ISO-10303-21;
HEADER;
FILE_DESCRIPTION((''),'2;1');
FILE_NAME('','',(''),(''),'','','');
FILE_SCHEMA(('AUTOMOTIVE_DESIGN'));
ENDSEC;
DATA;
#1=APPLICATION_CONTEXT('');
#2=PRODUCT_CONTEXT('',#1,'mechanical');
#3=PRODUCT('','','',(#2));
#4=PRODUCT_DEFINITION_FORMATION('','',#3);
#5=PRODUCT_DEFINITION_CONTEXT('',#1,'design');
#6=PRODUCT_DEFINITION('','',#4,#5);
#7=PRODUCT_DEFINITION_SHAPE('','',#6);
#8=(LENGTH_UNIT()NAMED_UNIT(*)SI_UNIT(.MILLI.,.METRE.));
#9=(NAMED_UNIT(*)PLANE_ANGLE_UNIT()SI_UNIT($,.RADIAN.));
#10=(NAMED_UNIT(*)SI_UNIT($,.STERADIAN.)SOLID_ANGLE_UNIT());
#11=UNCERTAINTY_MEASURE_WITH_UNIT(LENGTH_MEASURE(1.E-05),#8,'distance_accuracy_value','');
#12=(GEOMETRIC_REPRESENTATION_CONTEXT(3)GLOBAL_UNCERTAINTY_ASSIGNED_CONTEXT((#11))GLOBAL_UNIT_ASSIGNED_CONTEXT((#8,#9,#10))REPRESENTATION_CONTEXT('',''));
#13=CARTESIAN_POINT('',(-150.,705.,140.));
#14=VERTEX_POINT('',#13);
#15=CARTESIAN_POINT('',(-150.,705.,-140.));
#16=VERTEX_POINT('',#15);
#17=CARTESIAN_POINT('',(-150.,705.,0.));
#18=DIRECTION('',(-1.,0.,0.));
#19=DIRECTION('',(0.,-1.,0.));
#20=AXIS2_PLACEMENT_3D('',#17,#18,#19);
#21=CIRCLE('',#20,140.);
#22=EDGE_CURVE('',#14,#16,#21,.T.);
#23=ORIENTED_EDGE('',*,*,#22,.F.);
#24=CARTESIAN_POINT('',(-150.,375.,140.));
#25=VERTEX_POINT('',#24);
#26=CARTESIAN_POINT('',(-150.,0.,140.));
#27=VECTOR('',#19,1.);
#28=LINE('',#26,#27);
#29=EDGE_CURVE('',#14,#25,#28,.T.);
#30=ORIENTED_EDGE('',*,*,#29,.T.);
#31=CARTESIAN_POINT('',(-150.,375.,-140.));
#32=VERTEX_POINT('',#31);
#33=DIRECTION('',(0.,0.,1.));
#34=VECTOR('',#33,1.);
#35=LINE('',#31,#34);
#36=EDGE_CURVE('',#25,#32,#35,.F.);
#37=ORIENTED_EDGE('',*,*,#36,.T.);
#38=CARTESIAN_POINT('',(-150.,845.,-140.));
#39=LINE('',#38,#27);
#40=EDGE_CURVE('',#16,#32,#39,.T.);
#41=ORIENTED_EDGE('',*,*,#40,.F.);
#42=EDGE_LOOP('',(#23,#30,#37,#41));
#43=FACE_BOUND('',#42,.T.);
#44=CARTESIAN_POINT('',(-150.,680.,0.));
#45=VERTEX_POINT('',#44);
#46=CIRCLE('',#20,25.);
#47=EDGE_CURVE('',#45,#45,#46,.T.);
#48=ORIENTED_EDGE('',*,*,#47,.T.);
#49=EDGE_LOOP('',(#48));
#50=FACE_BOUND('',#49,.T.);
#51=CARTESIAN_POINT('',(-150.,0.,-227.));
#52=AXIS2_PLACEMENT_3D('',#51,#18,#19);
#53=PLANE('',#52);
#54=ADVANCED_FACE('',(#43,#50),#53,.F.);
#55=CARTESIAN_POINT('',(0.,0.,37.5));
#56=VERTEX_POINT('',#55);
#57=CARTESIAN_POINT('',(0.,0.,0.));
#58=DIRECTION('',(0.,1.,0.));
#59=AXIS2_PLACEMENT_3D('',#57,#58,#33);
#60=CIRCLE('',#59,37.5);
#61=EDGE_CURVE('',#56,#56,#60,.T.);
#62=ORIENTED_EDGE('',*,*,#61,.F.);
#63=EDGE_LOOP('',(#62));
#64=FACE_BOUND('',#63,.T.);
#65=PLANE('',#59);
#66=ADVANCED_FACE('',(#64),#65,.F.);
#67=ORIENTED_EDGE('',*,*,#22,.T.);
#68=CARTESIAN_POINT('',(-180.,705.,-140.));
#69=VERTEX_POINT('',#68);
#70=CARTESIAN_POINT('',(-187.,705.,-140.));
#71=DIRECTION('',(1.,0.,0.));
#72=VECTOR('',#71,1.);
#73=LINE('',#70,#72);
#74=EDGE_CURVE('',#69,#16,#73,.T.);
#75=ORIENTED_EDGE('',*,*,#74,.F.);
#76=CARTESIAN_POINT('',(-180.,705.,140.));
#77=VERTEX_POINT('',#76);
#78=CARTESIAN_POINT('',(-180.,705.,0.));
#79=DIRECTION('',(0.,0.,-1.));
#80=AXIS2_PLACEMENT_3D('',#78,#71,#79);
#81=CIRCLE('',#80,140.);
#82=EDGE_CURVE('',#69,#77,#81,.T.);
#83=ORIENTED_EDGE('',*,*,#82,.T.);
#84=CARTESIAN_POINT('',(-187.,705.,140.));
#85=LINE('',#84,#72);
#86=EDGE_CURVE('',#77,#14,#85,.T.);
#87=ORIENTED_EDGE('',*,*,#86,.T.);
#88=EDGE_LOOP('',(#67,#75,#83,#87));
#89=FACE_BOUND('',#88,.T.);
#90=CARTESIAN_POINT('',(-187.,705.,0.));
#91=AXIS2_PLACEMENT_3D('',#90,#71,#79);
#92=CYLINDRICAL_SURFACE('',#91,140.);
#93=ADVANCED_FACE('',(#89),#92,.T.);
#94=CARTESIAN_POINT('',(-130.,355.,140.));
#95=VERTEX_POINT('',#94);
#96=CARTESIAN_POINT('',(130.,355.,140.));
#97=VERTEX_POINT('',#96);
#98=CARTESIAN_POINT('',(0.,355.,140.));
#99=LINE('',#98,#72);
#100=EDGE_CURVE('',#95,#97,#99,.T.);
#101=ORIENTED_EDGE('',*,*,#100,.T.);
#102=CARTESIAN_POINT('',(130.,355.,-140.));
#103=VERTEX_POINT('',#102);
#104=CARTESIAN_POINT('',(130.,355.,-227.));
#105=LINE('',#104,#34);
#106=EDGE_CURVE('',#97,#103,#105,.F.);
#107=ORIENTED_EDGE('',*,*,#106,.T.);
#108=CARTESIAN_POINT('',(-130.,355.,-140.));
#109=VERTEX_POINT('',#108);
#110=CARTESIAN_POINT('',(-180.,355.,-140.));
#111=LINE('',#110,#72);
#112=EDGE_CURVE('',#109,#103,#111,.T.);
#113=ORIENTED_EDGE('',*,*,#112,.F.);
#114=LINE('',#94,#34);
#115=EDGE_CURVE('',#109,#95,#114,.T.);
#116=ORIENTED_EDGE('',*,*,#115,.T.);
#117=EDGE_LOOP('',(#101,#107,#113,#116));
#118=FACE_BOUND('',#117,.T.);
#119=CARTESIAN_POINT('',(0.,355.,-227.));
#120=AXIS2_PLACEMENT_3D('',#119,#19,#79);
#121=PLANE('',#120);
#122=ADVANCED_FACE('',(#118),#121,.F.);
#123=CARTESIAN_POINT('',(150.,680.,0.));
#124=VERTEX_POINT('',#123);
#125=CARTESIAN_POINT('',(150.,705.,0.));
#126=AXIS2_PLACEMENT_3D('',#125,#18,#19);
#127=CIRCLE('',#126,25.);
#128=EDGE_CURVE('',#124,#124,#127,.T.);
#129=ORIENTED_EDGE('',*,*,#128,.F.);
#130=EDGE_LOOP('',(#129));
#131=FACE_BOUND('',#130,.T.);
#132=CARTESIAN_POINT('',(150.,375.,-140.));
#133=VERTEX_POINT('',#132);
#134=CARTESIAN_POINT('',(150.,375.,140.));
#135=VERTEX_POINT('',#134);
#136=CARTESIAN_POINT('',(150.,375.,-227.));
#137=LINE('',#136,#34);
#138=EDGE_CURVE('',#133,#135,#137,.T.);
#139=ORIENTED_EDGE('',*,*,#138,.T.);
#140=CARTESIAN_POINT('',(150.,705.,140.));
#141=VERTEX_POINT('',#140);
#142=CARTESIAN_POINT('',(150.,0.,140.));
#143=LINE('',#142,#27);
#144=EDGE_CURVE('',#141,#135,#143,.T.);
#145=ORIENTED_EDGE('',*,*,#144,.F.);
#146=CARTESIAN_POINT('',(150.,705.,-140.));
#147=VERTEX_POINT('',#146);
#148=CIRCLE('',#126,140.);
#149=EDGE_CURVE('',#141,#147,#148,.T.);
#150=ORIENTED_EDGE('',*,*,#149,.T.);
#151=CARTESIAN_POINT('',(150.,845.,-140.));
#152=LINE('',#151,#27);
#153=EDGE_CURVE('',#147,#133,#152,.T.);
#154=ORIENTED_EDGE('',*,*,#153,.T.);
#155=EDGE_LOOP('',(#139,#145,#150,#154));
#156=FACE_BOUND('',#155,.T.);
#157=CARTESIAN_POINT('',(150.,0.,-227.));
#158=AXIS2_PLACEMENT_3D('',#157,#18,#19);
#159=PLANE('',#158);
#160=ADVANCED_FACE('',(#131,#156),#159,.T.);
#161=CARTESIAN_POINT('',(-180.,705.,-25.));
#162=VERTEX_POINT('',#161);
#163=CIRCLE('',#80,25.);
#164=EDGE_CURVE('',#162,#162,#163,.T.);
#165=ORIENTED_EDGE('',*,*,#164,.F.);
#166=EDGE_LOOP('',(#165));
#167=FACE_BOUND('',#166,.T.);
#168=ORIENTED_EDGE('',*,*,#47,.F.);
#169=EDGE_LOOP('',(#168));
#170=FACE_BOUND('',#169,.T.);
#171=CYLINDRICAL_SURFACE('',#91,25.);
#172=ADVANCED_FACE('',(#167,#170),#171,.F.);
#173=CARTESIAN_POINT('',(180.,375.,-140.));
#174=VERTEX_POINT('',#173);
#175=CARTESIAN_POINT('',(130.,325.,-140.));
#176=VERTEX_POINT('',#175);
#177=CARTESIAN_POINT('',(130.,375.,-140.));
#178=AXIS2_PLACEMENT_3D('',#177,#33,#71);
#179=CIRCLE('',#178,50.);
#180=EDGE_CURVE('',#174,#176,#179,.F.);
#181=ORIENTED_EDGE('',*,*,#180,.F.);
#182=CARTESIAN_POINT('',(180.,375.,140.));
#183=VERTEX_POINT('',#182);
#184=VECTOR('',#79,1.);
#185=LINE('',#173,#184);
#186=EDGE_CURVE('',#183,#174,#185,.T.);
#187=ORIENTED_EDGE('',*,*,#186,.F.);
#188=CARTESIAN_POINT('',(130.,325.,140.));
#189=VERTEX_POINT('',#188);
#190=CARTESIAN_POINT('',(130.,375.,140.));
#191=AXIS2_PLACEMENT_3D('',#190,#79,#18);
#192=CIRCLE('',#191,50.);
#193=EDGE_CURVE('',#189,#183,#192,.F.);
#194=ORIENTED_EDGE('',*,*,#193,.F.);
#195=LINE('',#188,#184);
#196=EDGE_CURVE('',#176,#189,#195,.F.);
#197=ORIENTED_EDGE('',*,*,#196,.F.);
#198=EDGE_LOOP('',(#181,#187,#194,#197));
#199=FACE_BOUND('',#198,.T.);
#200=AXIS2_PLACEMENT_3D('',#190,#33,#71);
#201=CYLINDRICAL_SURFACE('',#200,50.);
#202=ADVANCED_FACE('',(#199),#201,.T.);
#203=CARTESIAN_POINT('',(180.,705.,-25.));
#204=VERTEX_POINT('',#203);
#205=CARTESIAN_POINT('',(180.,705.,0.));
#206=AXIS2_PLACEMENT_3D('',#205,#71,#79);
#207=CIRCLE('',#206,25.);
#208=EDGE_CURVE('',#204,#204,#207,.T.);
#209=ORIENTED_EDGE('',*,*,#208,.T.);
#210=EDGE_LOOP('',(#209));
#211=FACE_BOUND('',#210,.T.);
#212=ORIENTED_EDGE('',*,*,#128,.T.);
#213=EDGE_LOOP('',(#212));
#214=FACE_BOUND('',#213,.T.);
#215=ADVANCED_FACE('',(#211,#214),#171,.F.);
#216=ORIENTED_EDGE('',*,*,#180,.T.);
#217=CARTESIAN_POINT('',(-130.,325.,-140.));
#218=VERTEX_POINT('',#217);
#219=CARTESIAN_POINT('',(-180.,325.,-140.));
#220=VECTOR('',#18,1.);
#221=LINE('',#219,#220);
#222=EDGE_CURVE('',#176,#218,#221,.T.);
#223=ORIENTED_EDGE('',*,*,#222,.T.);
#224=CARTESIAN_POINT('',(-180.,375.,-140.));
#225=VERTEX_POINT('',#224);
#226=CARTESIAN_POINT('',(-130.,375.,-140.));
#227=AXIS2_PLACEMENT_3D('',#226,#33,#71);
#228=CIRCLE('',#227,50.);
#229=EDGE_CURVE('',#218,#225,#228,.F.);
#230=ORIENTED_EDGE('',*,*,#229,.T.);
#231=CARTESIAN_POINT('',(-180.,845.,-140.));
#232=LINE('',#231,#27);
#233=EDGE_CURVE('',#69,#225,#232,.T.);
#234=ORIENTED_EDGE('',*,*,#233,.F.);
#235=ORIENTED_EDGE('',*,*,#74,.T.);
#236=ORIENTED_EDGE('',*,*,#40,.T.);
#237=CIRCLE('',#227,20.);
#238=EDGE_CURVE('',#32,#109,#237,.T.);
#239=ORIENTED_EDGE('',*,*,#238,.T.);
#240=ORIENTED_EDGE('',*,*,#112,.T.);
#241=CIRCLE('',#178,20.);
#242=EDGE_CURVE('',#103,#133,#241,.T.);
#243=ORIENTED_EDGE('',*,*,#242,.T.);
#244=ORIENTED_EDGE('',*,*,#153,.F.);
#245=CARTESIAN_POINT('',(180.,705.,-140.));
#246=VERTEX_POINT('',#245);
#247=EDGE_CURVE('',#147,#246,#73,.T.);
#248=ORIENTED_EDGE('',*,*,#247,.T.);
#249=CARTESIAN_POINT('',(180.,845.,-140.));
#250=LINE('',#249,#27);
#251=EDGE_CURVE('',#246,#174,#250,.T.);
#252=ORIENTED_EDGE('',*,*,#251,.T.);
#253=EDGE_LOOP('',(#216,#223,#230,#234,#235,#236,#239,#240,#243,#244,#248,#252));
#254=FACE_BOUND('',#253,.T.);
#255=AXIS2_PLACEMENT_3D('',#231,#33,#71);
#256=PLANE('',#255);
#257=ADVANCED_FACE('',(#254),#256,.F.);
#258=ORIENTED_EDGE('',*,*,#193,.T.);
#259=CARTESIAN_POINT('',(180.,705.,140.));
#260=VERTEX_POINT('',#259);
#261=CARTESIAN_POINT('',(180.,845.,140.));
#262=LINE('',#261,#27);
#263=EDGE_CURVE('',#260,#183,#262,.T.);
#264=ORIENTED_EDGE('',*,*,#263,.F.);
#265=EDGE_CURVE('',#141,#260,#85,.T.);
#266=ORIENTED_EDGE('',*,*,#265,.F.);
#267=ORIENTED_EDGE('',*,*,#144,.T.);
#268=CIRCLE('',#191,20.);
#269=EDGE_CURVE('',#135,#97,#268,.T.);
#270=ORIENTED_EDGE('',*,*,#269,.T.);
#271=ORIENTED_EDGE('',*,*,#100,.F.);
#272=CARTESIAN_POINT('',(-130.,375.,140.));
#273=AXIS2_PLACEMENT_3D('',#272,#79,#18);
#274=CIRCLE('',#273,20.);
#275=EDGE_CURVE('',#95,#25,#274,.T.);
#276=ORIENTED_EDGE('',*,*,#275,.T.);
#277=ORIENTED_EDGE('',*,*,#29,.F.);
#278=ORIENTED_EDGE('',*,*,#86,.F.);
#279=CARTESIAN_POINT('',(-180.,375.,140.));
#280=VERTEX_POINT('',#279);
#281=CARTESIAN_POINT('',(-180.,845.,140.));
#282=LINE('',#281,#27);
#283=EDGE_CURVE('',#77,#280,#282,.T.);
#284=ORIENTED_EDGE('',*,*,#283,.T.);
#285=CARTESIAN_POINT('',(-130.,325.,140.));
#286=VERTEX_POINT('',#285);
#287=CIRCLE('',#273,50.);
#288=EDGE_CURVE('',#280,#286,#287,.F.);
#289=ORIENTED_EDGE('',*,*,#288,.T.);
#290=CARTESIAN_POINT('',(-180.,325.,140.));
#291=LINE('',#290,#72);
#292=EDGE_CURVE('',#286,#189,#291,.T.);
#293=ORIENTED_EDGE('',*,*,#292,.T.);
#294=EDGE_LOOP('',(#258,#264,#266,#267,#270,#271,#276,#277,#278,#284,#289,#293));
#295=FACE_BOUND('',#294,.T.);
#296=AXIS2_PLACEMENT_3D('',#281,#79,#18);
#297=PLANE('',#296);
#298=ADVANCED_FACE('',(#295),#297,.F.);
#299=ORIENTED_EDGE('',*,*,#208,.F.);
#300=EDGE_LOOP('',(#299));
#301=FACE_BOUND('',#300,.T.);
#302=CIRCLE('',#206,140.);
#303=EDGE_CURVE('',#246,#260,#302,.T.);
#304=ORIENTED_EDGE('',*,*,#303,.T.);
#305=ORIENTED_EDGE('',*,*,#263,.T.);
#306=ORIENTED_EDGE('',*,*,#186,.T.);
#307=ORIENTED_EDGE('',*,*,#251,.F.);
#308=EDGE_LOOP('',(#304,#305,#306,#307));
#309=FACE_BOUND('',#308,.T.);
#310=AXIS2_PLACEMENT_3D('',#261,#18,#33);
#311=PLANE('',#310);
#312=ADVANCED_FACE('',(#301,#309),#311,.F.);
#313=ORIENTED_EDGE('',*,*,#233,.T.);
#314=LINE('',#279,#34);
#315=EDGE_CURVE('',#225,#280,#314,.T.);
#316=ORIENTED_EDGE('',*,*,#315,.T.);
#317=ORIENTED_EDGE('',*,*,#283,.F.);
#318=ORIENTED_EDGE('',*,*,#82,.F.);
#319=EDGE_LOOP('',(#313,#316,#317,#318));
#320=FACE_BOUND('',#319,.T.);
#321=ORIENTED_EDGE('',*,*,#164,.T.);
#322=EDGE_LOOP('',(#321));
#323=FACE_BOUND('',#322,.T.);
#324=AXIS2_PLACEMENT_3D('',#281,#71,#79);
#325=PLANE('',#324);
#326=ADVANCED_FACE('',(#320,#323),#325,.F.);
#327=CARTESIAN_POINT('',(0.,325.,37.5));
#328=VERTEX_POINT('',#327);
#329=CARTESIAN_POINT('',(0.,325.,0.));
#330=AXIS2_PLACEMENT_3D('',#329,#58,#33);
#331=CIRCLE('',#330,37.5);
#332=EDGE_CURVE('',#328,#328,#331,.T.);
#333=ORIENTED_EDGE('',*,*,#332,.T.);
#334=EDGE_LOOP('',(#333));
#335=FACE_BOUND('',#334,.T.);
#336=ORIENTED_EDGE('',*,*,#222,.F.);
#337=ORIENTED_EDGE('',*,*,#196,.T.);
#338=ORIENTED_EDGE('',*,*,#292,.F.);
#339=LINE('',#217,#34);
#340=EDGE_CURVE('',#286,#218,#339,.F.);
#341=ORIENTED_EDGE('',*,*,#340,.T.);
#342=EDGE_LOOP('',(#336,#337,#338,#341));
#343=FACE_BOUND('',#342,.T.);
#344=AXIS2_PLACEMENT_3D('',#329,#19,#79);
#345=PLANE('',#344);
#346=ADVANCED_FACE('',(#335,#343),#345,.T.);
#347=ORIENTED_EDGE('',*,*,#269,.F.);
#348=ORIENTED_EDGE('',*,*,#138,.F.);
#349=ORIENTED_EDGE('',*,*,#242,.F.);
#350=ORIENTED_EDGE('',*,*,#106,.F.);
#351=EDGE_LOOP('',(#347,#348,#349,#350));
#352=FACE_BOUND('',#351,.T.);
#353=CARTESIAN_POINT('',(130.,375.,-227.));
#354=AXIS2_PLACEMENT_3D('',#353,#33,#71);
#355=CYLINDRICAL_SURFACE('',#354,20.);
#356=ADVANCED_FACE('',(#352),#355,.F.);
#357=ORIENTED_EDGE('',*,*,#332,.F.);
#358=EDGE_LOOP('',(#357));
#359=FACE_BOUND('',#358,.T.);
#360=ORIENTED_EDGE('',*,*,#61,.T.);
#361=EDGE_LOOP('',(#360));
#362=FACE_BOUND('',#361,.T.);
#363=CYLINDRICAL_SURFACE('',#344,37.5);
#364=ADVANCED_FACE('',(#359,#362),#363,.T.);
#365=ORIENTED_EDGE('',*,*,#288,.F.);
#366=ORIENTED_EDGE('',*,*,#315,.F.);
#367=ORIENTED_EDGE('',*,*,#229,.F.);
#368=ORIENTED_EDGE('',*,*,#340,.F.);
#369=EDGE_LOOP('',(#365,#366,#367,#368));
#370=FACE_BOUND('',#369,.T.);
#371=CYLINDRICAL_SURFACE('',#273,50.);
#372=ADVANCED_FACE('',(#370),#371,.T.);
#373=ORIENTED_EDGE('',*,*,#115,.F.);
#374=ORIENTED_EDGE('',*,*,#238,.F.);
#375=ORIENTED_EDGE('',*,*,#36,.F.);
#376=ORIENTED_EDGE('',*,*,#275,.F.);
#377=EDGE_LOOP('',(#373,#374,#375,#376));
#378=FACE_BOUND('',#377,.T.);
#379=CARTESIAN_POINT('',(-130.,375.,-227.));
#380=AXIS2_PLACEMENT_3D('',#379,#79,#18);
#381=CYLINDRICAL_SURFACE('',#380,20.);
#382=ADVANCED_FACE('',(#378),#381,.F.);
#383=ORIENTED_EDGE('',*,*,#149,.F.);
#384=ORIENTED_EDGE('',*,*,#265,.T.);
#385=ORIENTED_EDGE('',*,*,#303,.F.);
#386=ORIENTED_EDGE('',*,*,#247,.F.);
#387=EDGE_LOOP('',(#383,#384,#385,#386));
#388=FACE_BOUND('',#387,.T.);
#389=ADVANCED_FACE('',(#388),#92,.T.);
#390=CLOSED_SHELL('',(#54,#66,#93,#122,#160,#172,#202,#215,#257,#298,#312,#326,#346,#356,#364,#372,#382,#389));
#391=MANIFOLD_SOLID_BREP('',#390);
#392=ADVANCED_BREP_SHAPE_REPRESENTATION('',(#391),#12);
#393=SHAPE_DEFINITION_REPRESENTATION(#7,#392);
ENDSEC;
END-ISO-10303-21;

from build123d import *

# Parameters (mm, degrees)
SKETCH1_R           = 37.5
BOSS_EXTRUDE1_DEPTH = 325
SKETCH2_W           = 360
SKETCH2_H           = 280
BOSS_EXTRUDE2_DEPTH = 520
SKETCH3_W           = 300
SKETCH3_H           = 490
CUT_EXTRUDE1_DEPTH  = 367
FILLET1_R           = 20
FILLET3_R           = 50
SKETCH4_R           = 25
CUT_EXTRUDE2_DEPTH  = 367


with BuildPart() as part:
    # Sketch1 → Boss-Extrude1 (new body)
    with BuildSketch(Plane(origin=(0, 0, 0), x_dir=(1, 0, 0), z_dir=(0, 1, 0))):
        Circle(SKETCH1_R)
    extrude(amount=BOSS_EXTRUDE1_DEPTH)

    # Sketch2 → Boss-Extrude2 (add)
    with BuildSketch(Plane(origin=(0, 325, 0), x_dir=(1, 0, 0), z_dir=(0, 1, 0))):
        Rectangle(SKETCH2_W, SKETCH2_H)
    extrude(amount=BOSS_EXTRUDE2_DEPTH)

    # Sketch3 → Cut-Extrude1 (cut)
    with BuildSketch(Plane.XY.offset(140)):
        with Locations((0, 600)):
            Rectangle(SKETCH3_W, SKETCH3_H)
    extrude(amount=-CUT_EXTRUDE1_DEPTH, mode=Mode.SUBTRACT)

    # Fillet1
    fillet1_edges = [part.edges().sort_by_distance(p)[0] for p in [
        (150, 355, 0),
        (-150, 355, 0),
    ]]
    fillet(fillet1_edges, radius=FILLET1_R)

    # Fillet3
    fillet3_edges = [part.edges().sort_by_distance(p)[0] for p in [
        (180, 325, 0),
        (-180, 325, 0),
    ]]
    fillet(fillet3_edges, radius=FILLET3_R)

    # Sketch4 → Cut-Extrude2 (cut)
    with BuildSketch(Plane(origin=(180, 0, 0), x_dir=(0, 0, -1), z_dir=(1, 0, 0))):
        with BuildLine():
            Line((-140, 845), (-140, 705))
            ThreePointArc((-140, 705), (-98.994949067, 803.994949665), (8.46e-07, 845))
            Line((8.46e-07, 845), (-140, 845))
        make_face()
        with BuildLine():
            ThreePointArc((8.46e-07, 845), (98.994949665, 803.994949067), (140, 705))
            Line((140, 705), (140, 845))
            Line((140, 845), (8.46e-07, 845))
        make_face()
        with Locations((0, 705)):
            Circle(SKETCH4_R)
    extrude(amount=-CUT_EXTRUDE2_DEPTH, mode=Mode.SUBTRACT)


solid = part.part
